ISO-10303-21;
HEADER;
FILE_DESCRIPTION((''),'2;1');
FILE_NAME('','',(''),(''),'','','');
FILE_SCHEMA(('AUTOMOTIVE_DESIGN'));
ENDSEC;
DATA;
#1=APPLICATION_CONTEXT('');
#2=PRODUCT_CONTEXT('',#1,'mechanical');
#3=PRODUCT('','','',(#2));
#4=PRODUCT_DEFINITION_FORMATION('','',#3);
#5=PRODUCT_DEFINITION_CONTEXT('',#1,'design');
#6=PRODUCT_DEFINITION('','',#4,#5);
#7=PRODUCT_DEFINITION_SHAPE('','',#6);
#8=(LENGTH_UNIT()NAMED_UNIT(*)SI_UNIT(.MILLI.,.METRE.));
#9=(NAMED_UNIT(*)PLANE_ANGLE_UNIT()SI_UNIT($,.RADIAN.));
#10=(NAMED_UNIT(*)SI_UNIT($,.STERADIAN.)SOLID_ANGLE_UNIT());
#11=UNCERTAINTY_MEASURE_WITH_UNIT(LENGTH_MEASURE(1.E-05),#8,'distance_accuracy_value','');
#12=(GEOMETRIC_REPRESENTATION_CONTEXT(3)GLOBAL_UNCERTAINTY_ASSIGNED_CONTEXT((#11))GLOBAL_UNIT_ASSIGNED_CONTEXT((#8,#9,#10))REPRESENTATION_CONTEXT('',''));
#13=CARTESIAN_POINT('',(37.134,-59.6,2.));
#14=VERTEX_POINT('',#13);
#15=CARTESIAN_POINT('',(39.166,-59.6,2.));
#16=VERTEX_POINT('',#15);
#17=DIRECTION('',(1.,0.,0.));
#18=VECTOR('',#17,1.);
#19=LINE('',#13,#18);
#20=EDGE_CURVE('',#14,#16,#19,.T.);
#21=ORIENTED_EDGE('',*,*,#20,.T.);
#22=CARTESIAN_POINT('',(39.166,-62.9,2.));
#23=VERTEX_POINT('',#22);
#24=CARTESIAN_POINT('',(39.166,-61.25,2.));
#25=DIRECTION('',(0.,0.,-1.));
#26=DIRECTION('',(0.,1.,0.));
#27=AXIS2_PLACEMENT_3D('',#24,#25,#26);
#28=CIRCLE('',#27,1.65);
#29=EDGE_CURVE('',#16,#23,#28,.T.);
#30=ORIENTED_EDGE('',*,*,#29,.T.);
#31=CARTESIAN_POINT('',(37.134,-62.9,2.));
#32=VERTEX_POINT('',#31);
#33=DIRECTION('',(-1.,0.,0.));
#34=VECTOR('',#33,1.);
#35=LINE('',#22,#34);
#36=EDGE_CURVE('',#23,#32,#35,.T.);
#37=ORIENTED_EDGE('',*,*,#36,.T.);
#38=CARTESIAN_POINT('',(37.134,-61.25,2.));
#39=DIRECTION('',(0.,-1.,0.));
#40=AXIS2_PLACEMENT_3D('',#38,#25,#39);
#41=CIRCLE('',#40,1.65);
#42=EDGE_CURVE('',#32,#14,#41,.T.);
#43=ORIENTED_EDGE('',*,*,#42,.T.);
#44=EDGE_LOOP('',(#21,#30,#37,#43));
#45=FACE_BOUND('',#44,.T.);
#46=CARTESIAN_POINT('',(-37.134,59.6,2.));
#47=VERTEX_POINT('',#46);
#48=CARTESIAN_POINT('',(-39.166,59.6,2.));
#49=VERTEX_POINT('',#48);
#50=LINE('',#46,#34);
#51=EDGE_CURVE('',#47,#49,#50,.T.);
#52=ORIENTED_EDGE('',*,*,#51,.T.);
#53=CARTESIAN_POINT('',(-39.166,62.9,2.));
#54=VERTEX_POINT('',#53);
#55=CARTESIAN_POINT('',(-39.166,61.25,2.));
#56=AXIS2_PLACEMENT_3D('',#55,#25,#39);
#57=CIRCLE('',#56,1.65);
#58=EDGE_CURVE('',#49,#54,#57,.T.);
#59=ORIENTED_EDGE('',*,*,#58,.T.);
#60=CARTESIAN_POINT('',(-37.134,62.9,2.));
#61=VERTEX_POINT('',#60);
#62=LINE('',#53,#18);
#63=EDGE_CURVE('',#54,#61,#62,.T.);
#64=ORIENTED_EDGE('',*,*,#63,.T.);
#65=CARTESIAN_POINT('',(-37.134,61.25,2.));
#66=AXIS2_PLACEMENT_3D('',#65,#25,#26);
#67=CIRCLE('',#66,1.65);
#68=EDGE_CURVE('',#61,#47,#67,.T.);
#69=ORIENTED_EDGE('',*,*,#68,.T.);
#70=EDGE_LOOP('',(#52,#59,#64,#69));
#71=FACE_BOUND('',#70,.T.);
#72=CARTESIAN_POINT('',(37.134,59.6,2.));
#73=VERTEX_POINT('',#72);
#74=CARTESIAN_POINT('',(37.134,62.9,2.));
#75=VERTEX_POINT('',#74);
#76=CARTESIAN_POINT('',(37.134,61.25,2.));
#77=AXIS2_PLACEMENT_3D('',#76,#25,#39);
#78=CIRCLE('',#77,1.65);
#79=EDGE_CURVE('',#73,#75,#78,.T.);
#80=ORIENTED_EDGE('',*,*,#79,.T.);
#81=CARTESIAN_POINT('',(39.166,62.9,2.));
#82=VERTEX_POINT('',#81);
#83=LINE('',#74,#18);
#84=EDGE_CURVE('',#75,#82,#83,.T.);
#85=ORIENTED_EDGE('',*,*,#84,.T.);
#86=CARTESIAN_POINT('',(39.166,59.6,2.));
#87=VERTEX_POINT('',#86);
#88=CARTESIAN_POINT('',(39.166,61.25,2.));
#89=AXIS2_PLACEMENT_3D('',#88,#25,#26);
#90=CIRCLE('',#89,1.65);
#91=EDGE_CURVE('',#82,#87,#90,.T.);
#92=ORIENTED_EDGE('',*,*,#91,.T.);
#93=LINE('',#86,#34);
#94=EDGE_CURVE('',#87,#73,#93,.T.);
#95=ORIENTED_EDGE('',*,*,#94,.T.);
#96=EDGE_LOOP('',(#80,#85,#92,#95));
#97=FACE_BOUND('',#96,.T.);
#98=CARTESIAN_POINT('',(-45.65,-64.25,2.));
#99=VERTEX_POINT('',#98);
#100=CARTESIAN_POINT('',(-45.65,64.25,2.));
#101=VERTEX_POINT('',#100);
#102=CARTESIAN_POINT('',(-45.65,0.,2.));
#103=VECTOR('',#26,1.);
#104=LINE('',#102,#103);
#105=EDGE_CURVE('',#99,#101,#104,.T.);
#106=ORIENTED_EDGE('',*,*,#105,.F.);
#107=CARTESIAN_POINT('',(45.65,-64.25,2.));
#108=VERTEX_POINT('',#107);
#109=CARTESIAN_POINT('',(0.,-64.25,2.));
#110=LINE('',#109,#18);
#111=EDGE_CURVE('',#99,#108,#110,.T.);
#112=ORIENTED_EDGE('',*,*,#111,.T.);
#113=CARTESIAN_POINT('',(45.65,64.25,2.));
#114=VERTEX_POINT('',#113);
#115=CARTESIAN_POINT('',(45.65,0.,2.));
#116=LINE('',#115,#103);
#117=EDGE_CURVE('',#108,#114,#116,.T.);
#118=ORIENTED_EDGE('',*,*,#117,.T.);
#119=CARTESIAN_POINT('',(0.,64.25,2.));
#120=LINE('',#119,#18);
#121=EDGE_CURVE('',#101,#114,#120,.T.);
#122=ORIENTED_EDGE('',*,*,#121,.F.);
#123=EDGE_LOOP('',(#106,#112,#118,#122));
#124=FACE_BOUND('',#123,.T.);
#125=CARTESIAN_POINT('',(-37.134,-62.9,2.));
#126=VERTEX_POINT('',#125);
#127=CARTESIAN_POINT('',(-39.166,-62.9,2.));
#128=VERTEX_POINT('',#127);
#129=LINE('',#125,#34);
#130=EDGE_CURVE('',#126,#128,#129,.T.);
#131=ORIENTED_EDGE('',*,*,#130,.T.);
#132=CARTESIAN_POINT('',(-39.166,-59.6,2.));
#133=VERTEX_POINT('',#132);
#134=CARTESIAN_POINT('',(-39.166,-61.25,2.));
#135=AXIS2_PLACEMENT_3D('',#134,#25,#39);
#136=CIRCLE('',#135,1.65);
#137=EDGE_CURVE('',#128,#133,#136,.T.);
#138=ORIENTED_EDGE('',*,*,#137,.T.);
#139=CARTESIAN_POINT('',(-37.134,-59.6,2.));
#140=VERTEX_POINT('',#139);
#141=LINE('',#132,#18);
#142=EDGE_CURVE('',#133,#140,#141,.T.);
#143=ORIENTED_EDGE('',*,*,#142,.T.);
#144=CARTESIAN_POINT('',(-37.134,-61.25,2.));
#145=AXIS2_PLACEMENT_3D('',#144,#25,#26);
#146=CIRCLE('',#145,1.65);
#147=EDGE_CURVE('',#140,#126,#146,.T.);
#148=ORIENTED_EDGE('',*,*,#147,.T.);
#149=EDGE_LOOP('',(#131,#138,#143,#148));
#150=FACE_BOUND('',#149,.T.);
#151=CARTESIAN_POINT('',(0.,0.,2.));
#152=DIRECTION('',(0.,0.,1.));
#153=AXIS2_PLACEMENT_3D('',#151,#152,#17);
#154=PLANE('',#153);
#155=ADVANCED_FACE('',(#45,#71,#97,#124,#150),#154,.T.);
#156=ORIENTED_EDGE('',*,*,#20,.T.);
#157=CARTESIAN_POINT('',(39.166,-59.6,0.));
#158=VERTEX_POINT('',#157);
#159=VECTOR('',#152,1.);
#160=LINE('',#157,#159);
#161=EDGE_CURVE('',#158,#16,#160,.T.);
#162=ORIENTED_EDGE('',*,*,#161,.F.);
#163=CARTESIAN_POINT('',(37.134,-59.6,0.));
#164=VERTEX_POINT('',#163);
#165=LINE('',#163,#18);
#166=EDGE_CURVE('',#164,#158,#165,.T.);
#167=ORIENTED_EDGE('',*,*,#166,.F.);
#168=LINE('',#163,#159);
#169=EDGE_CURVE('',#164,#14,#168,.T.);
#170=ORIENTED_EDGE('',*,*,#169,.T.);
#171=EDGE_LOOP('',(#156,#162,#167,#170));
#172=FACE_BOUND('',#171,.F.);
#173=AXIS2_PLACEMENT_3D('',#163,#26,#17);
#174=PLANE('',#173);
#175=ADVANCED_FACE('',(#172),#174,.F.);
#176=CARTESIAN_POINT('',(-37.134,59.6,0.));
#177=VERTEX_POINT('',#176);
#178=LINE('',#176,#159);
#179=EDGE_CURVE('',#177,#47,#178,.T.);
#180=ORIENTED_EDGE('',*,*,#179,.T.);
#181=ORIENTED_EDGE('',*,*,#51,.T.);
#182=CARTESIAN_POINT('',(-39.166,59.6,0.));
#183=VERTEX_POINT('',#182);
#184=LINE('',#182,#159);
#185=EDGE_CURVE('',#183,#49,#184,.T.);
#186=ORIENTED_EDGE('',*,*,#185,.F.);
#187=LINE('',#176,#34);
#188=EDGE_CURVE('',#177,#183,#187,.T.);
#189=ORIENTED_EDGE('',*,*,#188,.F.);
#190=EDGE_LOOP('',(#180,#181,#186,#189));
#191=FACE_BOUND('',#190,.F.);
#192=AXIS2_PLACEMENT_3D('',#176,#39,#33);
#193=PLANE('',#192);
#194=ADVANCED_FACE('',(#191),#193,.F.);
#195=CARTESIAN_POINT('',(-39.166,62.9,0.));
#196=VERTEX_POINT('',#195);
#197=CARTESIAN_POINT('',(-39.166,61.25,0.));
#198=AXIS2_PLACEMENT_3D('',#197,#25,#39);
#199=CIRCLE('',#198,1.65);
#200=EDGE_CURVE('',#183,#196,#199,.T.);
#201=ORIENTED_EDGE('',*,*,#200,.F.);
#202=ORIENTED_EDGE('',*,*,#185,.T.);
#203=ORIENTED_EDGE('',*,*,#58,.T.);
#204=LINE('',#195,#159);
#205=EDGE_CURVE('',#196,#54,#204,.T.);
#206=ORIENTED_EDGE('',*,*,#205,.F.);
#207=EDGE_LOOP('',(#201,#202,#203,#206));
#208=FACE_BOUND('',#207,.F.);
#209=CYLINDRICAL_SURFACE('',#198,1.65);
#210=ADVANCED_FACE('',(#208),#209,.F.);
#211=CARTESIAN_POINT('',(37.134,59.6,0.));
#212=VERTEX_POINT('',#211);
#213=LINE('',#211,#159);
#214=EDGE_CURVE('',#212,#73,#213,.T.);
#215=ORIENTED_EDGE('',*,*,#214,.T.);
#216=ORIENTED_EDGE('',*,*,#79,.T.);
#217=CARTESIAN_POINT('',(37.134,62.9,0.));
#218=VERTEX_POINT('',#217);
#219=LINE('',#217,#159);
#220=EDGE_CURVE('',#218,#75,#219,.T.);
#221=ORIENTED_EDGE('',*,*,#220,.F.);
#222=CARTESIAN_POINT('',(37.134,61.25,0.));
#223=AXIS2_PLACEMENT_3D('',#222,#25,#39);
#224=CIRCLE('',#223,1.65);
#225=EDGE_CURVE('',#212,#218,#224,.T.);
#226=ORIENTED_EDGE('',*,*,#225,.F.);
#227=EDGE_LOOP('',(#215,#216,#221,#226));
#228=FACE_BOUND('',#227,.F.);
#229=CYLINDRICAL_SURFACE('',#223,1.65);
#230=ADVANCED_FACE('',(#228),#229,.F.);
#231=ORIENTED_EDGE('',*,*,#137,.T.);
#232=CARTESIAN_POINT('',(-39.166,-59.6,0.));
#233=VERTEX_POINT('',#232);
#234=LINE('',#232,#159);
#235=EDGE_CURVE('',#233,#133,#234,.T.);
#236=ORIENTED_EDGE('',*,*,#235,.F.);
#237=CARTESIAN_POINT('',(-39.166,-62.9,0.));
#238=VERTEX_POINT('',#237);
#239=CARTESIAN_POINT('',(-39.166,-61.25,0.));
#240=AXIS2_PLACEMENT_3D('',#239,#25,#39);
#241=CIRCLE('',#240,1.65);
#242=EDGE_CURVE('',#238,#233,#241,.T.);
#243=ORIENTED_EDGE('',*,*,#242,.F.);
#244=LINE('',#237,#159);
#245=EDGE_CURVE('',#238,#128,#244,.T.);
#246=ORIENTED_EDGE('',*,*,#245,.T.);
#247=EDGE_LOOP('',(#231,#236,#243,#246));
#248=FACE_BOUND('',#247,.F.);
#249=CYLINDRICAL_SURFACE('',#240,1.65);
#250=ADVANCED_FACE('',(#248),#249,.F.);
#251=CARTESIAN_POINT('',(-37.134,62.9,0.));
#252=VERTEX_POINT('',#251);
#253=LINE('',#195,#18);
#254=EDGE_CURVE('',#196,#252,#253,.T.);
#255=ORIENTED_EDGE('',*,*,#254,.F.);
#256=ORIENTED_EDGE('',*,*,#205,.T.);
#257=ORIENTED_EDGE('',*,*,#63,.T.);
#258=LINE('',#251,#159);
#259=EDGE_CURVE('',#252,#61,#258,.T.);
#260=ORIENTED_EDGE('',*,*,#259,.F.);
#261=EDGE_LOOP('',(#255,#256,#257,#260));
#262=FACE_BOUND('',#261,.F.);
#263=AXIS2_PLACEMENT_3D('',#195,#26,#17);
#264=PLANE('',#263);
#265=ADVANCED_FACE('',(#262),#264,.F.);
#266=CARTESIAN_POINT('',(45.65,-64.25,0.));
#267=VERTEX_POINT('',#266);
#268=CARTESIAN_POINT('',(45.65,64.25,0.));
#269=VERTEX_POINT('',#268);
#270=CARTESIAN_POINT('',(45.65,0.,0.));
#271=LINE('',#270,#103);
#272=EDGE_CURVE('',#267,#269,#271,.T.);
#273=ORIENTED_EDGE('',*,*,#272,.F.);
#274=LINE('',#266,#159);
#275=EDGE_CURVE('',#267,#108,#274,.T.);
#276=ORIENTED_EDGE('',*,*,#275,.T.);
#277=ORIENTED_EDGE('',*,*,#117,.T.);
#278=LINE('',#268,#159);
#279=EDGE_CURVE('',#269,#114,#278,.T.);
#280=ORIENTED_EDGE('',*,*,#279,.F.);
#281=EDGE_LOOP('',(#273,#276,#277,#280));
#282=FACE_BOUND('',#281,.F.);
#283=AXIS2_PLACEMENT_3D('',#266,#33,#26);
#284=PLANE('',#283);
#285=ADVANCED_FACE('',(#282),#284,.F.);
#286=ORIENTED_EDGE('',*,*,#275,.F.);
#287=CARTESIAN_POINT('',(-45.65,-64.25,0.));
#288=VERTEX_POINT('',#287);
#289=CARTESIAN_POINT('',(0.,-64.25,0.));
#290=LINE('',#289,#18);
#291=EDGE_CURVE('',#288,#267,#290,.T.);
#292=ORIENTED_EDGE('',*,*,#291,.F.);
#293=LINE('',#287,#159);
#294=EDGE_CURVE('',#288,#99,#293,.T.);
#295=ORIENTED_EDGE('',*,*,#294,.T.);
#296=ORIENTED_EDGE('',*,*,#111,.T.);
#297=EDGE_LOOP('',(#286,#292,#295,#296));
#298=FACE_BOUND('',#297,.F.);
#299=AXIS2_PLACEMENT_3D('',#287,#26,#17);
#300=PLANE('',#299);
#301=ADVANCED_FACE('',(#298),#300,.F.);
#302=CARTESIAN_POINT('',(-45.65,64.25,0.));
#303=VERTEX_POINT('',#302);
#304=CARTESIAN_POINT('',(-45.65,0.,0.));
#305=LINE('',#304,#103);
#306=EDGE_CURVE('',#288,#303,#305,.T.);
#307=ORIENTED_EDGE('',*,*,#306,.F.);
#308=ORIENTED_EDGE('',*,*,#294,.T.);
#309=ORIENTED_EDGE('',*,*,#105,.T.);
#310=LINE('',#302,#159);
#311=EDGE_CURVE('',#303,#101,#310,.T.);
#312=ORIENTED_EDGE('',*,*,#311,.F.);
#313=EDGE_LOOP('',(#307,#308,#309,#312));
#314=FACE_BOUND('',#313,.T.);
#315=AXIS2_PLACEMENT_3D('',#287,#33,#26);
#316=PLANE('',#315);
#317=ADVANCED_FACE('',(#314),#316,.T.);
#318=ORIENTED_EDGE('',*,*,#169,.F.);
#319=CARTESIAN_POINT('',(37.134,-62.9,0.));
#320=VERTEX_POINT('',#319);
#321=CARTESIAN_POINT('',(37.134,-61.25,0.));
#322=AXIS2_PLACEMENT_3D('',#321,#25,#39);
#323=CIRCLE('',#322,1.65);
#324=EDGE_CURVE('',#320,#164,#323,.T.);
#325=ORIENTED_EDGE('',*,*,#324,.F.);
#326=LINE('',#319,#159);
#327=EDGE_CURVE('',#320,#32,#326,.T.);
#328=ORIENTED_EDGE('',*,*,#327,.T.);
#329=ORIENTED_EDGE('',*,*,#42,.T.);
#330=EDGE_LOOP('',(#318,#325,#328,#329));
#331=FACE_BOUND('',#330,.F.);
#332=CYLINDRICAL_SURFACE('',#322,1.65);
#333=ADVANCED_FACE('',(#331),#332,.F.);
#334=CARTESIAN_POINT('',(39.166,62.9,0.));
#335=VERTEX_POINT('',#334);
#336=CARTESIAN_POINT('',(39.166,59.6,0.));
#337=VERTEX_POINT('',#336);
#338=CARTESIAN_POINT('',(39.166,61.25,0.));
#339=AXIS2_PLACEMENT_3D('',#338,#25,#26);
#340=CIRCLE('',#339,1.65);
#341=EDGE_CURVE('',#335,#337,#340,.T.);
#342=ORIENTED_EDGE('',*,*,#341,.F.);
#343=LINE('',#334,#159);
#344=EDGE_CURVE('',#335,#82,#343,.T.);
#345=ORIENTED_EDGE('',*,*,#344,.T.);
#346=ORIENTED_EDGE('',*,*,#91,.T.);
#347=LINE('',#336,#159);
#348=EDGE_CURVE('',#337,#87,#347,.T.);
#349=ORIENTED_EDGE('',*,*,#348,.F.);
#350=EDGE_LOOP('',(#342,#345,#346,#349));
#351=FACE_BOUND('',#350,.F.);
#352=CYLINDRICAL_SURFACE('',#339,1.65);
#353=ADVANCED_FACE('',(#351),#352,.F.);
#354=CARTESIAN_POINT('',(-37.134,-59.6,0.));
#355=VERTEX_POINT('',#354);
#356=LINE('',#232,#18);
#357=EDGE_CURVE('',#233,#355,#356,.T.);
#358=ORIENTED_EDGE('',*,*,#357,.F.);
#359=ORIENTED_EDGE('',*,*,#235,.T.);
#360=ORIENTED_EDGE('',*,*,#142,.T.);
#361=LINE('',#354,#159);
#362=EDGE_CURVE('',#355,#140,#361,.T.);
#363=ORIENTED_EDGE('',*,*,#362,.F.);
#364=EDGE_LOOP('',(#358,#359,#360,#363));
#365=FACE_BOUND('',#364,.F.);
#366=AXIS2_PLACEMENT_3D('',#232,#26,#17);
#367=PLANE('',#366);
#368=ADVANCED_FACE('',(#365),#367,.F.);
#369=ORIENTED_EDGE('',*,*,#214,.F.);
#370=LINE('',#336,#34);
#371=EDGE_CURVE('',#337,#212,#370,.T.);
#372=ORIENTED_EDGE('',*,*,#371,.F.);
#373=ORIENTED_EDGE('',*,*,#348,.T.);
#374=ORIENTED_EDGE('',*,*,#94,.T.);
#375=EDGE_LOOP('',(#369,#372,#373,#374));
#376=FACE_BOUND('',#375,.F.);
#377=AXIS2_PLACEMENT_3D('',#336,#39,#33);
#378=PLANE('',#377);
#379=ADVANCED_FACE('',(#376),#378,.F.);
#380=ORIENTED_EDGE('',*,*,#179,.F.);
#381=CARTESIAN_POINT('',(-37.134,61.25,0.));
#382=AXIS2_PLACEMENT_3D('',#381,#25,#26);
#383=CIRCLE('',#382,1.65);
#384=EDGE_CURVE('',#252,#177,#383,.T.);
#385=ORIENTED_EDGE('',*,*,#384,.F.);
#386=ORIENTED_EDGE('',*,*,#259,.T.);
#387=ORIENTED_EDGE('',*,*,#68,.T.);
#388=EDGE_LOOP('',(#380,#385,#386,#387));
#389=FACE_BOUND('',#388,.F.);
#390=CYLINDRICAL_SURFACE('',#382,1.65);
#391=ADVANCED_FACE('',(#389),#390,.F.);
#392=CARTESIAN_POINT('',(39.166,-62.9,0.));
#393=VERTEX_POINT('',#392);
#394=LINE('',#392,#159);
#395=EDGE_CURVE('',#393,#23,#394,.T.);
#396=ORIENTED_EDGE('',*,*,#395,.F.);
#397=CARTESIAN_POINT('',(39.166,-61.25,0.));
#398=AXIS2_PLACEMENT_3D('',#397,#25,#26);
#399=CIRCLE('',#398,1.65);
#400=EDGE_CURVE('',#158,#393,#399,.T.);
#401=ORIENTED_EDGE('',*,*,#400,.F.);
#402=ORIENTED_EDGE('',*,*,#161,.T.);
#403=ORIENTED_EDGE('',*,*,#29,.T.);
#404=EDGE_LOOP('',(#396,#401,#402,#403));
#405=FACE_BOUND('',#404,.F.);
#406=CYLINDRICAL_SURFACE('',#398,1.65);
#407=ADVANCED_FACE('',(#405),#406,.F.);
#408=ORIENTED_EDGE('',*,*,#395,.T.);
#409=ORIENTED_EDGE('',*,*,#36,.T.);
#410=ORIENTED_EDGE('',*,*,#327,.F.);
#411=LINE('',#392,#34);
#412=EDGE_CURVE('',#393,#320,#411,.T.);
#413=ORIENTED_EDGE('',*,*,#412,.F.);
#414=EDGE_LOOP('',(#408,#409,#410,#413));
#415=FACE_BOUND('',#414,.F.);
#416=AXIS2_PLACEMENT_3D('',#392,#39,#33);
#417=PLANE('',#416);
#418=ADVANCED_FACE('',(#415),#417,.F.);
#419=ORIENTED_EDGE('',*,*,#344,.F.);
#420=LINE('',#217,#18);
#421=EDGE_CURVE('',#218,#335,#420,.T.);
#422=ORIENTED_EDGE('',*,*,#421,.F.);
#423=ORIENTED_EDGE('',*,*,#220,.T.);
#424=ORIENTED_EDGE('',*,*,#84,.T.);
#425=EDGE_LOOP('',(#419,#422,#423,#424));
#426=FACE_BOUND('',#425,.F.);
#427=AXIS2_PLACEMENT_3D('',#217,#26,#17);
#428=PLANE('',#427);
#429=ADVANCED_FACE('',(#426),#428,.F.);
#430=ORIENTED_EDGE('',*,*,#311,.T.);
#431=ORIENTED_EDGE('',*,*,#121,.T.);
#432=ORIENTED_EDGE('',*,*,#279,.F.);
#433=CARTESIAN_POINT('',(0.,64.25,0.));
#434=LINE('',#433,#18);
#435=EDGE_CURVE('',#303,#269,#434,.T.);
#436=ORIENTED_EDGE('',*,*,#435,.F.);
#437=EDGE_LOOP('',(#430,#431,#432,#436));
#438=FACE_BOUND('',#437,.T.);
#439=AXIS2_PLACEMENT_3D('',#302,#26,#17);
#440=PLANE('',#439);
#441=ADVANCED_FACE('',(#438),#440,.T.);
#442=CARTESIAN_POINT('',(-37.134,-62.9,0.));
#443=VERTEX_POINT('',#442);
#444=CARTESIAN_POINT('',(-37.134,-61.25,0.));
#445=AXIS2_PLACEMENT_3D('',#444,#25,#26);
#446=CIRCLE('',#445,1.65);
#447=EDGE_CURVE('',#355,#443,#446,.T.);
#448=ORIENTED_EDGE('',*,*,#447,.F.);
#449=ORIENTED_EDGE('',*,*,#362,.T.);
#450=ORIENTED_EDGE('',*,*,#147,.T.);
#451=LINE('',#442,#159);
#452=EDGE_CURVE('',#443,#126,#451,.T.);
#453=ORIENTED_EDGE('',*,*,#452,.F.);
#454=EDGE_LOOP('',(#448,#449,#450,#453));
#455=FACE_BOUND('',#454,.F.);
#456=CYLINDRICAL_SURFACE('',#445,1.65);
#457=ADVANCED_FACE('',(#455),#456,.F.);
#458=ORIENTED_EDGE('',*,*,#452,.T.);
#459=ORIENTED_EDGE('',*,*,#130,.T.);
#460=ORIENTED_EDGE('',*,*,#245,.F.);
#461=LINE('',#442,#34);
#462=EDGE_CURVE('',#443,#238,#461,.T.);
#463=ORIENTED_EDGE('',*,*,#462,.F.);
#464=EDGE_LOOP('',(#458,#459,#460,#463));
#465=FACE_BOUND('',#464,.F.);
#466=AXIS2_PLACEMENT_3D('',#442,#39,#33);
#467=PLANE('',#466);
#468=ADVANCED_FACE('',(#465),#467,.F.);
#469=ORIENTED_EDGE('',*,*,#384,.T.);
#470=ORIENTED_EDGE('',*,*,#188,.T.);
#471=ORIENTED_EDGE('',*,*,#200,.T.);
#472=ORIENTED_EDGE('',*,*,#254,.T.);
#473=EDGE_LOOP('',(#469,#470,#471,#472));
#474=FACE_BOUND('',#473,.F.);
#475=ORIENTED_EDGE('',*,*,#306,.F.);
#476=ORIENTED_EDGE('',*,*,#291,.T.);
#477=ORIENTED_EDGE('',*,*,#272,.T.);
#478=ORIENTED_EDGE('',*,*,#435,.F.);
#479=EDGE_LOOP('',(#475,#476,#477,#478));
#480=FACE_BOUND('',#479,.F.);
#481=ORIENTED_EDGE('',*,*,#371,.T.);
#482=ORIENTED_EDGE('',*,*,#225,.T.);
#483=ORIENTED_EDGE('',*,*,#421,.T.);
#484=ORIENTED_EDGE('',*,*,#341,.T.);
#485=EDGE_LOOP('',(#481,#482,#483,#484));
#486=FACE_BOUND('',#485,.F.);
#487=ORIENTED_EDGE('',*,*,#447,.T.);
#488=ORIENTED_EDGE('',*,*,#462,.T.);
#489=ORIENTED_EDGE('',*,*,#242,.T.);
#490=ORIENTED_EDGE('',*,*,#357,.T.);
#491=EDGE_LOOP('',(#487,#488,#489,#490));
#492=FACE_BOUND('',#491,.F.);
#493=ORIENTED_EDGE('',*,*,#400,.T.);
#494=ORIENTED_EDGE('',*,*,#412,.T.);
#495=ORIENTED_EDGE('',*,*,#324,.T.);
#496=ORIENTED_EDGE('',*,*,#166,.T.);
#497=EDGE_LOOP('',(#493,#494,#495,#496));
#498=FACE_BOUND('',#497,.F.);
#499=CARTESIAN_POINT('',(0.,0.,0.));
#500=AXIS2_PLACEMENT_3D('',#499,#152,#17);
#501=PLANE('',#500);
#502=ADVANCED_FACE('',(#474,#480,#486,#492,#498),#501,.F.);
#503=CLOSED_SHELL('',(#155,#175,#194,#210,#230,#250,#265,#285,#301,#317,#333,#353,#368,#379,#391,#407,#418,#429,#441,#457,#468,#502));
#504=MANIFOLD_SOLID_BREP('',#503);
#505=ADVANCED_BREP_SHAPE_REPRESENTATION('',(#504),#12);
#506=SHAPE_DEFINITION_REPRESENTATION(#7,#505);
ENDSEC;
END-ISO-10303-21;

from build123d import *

# Parameters (mm, degrees)
SKETCH1_W           = 91.3
SKETCH1_H           = 128.5
BOSS_EXTRUDE1_DEPTH = 2


with BuildPart() as part:
    # Sketch1 → Boss-Extrude1 (new body)
    with BuildSketch(Plane.XY):
        Rectangle(SKETCH1_W, SKETCH1_H)
        with BuildLine():
            Line((-39.166, -59.6), (-37.134, -59.6))
            ThreePointArc((-37.134, -59.6), (-35.484, -61.25), (-37.134, -62.9))
            Line((-37.134, -62.9), (-39.166, -62.9))
            ThreePointArc((-39.166, -62.9), (-40.816, -61.25), (-39.166, -59.6))
        make_face(mode=Mode.SUBTRACT)
        with BuildLine():
            Line((-39.166, 62.9), (-37.134, 62.9))
            ThreePointArc((-37.134, 62.9), (-35.484, 61.25), (-37.134, 59.6))
            Line((-37.134, 59.6), (-39.166, 59.6))
            ThreePointArc((-39.166, 59.6), (-40.816, 61.25), (-39.166, 62.9))
        make_face(mode=Mode.SUBTRACT)
        with BuildLine():
            Line((37.134000014, 62.9), (39.166000014, 62.9))
            ThreePointArc((39.166000014, 62.9), (40.816000014, 61.25), (39.166000014, 59.6))
            Line((39.166000014, 59.6), (37.134000014, 59.6))
            ThreePointArc((37.134000014, 59.6), (35.484000014, 61.25), (37.134000014, 62.9))
        make_face(mode=Mode.SUBTRACT)
        with BuildLine():
            Line((37.134000014, -59.6), (39.166000014, -59.6))
            ThreePointArc((39.166000014, -59.6), (40.816000014, -61.25), (39.166000014, -62.9))
            Line((39.166000014, -62.9), (37.134000014, -62.9))
            ThreePointArc((37.134000014, -62.9), (35.484000014, -61.25), (37.134000014, -59.6))
        make_face(mode=Mode.SUBTRACT)
    extrude(amount=BOSS_EXTRUDE1_DEPTH)


solid = part.part
